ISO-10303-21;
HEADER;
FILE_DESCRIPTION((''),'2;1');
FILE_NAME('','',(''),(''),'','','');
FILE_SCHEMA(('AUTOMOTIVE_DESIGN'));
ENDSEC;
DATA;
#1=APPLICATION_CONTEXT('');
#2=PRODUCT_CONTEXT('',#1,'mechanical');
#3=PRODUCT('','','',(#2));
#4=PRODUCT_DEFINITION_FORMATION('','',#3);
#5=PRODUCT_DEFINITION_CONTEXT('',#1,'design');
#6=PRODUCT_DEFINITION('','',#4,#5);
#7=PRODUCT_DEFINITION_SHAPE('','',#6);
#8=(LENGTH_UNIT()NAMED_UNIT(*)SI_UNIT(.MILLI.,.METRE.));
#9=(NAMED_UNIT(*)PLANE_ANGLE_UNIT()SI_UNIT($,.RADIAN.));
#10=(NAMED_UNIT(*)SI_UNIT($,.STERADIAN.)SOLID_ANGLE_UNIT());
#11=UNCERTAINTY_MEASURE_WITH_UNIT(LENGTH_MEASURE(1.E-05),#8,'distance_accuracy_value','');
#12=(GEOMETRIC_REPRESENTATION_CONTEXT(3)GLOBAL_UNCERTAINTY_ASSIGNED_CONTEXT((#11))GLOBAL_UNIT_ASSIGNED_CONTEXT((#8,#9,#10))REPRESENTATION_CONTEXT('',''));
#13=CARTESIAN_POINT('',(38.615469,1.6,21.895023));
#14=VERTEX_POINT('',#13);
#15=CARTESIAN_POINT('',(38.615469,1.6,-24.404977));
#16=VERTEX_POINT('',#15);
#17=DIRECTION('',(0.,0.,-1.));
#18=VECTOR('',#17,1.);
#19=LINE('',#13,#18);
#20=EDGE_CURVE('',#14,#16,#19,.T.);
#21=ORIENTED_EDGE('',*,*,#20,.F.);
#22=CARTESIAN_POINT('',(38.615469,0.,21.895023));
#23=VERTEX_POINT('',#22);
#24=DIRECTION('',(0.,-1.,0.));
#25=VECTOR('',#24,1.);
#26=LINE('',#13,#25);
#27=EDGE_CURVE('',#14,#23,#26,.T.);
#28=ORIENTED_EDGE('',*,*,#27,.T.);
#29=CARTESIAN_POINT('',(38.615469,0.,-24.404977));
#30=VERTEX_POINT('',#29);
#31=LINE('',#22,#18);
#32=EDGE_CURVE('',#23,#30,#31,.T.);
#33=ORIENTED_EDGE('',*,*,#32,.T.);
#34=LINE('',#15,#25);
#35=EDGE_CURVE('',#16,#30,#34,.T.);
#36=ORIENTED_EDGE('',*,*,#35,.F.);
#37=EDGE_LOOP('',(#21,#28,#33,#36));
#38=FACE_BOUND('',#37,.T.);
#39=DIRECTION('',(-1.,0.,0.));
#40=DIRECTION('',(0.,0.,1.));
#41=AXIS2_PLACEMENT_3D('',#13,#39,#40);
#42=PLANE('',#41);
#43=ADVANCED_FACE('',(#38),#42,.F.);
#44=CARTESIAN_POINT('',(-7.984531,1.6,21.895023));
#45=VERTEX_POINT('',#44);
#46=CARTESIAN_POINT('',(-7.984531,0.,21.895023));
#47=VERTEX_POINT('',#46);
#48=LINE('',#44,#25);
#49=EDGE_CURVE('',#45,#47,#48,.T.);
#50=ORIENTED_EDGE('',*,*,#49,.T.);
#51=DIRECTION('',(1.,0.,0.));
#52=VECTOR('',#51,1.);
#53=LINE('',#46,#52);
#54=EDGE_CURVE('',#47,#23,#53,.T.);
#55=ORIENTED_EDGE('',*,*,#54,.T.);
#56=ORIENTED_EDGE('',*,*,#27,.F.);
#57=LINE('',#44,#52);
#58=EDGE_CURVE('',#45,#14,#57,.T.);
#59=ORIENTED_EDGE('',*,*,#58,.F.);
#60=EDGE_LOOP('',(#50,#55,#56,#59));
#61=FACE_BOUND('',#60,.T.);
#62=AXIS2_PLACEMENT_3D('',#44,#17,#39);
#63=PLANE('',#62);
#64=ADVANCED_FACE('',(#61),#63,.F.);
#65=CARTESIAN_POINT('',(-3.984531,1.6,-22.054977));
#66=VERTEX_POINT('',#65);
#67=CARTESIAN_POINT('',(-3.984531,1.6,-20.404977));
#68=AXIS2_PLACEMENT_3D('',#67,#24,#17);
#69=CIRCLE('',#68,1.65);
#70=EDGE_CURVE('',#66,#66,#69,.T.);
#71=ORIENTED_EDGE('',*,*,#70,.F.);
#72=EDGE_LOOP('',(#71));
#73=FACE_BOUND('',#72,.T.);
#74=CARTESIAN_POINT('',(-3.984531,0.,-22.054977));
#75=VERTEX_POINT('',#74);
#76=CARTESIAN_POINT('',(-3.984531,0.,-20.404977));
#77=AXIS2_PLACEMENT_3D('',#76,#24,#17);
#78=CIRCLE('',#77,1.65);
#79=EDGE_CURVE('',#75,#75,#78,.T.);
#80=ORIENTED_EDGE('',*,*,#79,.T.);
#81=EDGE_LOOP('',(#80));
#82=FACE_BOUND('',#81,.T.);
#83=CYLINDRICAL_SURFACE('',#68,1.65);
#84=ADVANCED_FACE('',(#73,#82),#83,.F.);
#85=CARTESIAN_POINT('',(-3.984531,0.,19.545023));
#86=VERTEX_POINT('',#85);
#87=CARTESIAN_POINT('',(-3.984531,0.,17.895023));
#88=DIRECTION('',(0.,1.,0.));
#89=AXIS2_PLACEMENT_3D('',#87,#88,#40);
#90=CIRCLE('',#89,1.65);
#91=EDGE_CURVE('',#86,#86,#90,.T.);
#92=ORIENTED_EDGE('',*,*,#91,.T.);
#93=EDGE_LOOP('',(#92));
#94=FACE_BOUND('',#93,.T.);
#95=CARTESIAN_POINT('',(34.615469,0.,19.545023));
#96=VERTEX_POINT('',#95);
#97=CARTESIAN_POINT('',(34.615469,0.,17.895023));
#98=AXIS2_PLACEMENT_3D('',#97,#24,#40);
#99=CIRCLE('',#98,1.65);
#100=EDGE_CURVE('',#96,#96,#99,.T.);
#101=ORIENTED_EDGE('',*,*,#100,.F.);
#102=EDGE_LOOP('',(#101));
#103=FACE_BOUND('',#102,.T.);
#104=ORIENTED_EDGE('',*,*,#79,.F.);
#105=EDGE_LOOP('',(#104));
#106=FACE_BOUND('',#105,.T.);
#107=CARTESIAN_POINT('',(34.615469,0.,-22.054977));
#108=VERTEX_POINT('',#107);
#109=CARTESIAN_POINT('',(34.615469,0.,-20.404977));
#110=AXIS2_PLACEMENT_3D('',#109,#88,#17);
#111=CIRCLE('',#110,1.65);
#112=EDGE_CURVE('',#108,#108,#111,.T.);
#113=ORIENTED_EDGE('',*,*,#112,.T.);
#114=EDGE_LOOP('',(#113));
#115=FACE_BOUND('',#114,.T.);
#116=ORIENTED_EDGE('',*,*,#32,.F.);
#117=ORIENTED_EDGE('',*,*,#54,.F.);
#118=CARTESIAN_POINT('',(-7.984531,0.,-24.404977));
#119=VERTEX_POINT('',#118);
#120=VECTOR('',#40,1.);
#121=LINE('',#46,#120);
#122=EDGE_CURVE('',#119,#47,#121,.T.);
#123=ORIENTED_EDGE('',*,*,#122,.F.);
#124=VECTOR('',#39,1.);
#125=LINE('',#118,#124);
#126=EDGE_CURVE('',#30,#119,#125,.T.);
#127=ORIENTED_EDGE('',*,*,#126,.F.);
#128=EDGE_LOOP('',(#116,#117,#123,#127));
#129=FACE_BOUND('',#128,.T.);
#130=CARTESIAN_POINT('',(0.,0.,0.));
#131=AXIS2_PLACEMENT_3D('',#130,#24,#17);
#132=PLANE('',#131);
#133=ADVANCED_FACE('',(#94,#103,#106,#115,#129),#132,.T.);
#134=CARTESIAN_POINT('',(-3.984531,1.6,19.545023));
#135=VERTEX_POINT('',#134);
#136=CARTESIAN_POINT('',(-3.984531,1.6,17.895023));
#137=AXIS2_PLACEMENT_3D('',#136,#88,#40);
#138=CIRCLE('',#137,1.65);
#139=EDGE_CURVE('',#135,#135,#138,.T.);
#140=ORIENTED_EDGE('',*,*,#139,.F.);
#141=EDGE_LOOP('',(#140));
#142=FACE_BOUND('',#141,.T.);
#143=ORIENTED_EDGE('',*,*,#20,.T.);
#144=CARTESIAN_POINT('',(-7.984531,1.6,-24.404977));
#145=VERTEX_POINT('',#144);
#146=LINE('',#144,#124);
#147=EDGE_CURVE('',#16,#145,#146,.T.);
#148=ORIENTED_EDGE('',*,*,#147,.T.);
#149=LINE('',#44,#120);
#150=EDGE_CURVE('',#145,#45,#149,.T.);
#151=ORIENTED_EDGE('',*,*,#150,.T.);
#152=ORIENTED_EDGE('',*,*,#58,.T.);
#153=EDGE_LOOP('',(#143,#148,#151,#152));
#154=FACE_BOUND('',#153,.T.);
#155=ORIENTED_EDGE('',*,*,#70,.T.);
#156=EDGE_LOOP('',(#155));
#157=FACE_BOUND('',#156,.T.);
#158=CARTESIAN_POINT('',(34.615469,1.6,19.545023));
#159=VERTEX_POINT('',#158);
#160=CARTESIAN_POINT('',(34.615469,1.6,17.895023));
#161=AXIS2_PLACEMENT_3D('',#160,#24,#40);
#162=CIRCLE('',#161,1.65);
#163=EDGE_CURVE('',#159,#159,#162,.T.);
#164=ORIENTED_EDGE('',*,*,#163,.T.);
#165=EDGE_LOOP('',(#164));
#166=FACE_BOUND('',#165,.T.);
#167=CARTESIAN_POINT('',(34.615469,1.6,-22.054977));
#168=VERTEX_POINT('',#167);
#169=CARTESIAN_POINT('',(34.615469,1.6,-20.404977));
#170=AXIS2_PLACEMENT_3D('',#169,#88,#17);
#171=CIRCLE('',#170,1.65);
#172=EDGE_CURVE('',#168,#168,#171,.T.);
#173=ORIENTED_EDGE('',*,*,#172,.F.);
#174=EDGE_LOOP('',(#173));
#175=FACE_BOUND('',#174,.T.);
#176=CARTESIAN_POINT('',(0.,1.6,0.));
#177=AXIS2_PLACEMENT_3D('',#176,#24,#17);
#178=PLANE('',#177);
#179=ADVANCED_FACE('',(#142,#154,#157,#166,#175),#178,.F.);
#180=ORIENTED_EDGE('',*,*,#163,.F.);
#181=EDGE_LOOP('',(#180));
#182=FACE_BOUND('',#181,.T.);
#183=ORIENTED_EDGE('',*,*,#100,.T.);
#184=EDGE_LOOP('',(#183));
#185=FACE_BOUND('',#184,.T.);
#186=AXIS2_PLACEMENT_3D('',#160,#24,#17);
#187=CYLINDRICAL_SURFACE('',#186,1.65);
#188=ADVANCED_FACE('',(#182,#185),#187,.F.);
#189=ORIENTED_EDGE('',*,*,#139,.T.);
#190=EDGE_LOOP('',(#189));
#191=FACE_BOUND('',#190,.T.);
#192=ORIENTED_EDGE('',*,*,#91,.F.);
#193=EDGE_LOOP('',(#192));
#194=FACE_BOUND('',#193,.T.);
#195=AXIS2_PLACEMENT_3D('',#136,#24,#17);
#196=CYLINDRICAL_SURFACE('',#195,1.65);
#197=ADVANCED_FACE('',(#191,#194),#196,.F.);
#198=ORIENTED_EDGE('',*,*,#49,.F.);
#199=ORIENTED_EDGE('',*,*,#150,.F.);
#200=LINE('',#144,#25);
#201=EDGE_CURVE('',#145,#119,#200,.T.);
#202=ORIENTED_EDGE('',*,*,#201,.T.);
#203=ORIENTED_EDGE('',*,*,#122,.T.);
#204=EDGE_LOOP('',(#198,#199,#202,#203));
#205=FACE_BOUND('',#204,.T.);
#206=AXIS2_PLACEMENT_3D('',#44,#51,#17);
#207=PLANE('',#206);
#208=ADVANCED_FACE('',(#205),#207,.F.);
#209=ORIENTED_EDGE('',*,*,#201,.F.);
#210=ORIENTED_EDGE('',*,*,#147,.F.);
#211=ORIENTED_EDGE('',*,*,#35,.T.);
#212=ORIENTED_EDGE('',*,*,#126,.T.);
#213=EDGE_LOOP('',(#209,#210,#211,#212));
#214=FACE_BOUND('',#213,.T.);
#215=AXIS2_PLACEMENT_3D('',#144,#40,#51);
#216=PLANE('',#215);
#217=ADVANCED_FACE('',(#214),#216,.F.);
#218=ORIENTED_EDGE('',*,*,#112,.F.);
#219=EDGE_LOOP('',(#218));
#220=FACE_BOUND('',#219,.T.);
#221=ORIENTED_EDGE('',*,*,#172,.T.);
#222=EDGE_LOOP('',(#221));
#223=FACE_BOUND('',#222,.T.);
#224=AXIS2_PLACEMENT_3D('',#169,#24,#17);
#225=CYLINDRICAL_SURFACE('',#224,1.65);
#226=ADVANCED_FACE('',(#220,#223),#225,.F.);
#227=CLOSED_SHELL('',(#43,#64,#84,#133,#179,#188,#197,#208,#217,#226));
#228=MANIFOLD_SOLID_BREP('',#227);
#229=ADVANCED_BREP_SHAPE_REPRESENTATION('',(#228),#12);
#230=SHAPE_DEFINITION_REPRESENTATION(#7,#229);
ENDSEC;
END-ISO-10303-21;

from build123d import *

# Parameters (mm, degrees)
SKETCH1_W               = 46.6
SKETCH1_H               = 46.3
BOSS_EXTRUDE1_DEPTH     = 1.6
SKETCH2_R               = 1.65
CUT_EXTRUDE1_DEPTH      = 46.709051233
MIRROR3_COPY_1_SKETCH_R = 1.65
MIRROR3_COPY_1_DEPTH    = 46.709051233


with BuildPart() as part:
    # Sketch1 → Boss-Extrude1 (new body)
    with BuildSketch(Plane(origin=(0, 0, 0), x_dir=(1, 0, 0), z_dir=(0, 1, 0))):
        with Locations((15.315469417, 1.254976672)):
            Rectangle(SKETCH1_W, SKETCH1_H)
    extrude(amount=BOSS_EXTRUDE1_DEPTH)

    # Sketch2 → Cut-Extrude1 (cut, through all)
    with BuildSketch(Plane.XZ):
        with Locations(Location((-3.984530583, -20.404976672, 0), (0, 0, 270))):
            Circle(SKETCH2_R)
    cut_extrude1 = extrude(amount=-CUT_EXTRUDE1_DEPTH, mode=Mode.SUBTRACT)

    # Mirror1: Cut-Extrude1 across plane
    add(cut_extrude1.mirror(Plane(origin=(15.315469417, 0, 0), x_dir=(0, 0, 1), z_dir=(1, 0, 0))), mode=Mode.SUBTRACT)

    # Mirror3: Cut-Extrude1 across plane
    add(cut_extrude1.mirror(Plane(origin=(0, 0, -1.254976672), x_dir=(1, 0, 0), z_dir=(0, 0, -1))), mode=Mode.SUBTRACT)

    # Mirror3 copy 1 sketch → Mirror3 copy 1 (cut, through all)
    with BuildSketch(Plane(origin=(30.630938834, 0, -2.509953343), x_dir=(-1, 0, 0), z_dir=(0, -1, 0))):
        with Locations(Location((-3.984530583, -20.404976672, 0), (0, 0, 270))):
            Circle(MIRROR3_COPY_1_SKETCH_R)
    extrude(amount=-MIRROR3_COPY_1_DEPTH, mode=Mode.SUBTRACT)


solid = part.part
